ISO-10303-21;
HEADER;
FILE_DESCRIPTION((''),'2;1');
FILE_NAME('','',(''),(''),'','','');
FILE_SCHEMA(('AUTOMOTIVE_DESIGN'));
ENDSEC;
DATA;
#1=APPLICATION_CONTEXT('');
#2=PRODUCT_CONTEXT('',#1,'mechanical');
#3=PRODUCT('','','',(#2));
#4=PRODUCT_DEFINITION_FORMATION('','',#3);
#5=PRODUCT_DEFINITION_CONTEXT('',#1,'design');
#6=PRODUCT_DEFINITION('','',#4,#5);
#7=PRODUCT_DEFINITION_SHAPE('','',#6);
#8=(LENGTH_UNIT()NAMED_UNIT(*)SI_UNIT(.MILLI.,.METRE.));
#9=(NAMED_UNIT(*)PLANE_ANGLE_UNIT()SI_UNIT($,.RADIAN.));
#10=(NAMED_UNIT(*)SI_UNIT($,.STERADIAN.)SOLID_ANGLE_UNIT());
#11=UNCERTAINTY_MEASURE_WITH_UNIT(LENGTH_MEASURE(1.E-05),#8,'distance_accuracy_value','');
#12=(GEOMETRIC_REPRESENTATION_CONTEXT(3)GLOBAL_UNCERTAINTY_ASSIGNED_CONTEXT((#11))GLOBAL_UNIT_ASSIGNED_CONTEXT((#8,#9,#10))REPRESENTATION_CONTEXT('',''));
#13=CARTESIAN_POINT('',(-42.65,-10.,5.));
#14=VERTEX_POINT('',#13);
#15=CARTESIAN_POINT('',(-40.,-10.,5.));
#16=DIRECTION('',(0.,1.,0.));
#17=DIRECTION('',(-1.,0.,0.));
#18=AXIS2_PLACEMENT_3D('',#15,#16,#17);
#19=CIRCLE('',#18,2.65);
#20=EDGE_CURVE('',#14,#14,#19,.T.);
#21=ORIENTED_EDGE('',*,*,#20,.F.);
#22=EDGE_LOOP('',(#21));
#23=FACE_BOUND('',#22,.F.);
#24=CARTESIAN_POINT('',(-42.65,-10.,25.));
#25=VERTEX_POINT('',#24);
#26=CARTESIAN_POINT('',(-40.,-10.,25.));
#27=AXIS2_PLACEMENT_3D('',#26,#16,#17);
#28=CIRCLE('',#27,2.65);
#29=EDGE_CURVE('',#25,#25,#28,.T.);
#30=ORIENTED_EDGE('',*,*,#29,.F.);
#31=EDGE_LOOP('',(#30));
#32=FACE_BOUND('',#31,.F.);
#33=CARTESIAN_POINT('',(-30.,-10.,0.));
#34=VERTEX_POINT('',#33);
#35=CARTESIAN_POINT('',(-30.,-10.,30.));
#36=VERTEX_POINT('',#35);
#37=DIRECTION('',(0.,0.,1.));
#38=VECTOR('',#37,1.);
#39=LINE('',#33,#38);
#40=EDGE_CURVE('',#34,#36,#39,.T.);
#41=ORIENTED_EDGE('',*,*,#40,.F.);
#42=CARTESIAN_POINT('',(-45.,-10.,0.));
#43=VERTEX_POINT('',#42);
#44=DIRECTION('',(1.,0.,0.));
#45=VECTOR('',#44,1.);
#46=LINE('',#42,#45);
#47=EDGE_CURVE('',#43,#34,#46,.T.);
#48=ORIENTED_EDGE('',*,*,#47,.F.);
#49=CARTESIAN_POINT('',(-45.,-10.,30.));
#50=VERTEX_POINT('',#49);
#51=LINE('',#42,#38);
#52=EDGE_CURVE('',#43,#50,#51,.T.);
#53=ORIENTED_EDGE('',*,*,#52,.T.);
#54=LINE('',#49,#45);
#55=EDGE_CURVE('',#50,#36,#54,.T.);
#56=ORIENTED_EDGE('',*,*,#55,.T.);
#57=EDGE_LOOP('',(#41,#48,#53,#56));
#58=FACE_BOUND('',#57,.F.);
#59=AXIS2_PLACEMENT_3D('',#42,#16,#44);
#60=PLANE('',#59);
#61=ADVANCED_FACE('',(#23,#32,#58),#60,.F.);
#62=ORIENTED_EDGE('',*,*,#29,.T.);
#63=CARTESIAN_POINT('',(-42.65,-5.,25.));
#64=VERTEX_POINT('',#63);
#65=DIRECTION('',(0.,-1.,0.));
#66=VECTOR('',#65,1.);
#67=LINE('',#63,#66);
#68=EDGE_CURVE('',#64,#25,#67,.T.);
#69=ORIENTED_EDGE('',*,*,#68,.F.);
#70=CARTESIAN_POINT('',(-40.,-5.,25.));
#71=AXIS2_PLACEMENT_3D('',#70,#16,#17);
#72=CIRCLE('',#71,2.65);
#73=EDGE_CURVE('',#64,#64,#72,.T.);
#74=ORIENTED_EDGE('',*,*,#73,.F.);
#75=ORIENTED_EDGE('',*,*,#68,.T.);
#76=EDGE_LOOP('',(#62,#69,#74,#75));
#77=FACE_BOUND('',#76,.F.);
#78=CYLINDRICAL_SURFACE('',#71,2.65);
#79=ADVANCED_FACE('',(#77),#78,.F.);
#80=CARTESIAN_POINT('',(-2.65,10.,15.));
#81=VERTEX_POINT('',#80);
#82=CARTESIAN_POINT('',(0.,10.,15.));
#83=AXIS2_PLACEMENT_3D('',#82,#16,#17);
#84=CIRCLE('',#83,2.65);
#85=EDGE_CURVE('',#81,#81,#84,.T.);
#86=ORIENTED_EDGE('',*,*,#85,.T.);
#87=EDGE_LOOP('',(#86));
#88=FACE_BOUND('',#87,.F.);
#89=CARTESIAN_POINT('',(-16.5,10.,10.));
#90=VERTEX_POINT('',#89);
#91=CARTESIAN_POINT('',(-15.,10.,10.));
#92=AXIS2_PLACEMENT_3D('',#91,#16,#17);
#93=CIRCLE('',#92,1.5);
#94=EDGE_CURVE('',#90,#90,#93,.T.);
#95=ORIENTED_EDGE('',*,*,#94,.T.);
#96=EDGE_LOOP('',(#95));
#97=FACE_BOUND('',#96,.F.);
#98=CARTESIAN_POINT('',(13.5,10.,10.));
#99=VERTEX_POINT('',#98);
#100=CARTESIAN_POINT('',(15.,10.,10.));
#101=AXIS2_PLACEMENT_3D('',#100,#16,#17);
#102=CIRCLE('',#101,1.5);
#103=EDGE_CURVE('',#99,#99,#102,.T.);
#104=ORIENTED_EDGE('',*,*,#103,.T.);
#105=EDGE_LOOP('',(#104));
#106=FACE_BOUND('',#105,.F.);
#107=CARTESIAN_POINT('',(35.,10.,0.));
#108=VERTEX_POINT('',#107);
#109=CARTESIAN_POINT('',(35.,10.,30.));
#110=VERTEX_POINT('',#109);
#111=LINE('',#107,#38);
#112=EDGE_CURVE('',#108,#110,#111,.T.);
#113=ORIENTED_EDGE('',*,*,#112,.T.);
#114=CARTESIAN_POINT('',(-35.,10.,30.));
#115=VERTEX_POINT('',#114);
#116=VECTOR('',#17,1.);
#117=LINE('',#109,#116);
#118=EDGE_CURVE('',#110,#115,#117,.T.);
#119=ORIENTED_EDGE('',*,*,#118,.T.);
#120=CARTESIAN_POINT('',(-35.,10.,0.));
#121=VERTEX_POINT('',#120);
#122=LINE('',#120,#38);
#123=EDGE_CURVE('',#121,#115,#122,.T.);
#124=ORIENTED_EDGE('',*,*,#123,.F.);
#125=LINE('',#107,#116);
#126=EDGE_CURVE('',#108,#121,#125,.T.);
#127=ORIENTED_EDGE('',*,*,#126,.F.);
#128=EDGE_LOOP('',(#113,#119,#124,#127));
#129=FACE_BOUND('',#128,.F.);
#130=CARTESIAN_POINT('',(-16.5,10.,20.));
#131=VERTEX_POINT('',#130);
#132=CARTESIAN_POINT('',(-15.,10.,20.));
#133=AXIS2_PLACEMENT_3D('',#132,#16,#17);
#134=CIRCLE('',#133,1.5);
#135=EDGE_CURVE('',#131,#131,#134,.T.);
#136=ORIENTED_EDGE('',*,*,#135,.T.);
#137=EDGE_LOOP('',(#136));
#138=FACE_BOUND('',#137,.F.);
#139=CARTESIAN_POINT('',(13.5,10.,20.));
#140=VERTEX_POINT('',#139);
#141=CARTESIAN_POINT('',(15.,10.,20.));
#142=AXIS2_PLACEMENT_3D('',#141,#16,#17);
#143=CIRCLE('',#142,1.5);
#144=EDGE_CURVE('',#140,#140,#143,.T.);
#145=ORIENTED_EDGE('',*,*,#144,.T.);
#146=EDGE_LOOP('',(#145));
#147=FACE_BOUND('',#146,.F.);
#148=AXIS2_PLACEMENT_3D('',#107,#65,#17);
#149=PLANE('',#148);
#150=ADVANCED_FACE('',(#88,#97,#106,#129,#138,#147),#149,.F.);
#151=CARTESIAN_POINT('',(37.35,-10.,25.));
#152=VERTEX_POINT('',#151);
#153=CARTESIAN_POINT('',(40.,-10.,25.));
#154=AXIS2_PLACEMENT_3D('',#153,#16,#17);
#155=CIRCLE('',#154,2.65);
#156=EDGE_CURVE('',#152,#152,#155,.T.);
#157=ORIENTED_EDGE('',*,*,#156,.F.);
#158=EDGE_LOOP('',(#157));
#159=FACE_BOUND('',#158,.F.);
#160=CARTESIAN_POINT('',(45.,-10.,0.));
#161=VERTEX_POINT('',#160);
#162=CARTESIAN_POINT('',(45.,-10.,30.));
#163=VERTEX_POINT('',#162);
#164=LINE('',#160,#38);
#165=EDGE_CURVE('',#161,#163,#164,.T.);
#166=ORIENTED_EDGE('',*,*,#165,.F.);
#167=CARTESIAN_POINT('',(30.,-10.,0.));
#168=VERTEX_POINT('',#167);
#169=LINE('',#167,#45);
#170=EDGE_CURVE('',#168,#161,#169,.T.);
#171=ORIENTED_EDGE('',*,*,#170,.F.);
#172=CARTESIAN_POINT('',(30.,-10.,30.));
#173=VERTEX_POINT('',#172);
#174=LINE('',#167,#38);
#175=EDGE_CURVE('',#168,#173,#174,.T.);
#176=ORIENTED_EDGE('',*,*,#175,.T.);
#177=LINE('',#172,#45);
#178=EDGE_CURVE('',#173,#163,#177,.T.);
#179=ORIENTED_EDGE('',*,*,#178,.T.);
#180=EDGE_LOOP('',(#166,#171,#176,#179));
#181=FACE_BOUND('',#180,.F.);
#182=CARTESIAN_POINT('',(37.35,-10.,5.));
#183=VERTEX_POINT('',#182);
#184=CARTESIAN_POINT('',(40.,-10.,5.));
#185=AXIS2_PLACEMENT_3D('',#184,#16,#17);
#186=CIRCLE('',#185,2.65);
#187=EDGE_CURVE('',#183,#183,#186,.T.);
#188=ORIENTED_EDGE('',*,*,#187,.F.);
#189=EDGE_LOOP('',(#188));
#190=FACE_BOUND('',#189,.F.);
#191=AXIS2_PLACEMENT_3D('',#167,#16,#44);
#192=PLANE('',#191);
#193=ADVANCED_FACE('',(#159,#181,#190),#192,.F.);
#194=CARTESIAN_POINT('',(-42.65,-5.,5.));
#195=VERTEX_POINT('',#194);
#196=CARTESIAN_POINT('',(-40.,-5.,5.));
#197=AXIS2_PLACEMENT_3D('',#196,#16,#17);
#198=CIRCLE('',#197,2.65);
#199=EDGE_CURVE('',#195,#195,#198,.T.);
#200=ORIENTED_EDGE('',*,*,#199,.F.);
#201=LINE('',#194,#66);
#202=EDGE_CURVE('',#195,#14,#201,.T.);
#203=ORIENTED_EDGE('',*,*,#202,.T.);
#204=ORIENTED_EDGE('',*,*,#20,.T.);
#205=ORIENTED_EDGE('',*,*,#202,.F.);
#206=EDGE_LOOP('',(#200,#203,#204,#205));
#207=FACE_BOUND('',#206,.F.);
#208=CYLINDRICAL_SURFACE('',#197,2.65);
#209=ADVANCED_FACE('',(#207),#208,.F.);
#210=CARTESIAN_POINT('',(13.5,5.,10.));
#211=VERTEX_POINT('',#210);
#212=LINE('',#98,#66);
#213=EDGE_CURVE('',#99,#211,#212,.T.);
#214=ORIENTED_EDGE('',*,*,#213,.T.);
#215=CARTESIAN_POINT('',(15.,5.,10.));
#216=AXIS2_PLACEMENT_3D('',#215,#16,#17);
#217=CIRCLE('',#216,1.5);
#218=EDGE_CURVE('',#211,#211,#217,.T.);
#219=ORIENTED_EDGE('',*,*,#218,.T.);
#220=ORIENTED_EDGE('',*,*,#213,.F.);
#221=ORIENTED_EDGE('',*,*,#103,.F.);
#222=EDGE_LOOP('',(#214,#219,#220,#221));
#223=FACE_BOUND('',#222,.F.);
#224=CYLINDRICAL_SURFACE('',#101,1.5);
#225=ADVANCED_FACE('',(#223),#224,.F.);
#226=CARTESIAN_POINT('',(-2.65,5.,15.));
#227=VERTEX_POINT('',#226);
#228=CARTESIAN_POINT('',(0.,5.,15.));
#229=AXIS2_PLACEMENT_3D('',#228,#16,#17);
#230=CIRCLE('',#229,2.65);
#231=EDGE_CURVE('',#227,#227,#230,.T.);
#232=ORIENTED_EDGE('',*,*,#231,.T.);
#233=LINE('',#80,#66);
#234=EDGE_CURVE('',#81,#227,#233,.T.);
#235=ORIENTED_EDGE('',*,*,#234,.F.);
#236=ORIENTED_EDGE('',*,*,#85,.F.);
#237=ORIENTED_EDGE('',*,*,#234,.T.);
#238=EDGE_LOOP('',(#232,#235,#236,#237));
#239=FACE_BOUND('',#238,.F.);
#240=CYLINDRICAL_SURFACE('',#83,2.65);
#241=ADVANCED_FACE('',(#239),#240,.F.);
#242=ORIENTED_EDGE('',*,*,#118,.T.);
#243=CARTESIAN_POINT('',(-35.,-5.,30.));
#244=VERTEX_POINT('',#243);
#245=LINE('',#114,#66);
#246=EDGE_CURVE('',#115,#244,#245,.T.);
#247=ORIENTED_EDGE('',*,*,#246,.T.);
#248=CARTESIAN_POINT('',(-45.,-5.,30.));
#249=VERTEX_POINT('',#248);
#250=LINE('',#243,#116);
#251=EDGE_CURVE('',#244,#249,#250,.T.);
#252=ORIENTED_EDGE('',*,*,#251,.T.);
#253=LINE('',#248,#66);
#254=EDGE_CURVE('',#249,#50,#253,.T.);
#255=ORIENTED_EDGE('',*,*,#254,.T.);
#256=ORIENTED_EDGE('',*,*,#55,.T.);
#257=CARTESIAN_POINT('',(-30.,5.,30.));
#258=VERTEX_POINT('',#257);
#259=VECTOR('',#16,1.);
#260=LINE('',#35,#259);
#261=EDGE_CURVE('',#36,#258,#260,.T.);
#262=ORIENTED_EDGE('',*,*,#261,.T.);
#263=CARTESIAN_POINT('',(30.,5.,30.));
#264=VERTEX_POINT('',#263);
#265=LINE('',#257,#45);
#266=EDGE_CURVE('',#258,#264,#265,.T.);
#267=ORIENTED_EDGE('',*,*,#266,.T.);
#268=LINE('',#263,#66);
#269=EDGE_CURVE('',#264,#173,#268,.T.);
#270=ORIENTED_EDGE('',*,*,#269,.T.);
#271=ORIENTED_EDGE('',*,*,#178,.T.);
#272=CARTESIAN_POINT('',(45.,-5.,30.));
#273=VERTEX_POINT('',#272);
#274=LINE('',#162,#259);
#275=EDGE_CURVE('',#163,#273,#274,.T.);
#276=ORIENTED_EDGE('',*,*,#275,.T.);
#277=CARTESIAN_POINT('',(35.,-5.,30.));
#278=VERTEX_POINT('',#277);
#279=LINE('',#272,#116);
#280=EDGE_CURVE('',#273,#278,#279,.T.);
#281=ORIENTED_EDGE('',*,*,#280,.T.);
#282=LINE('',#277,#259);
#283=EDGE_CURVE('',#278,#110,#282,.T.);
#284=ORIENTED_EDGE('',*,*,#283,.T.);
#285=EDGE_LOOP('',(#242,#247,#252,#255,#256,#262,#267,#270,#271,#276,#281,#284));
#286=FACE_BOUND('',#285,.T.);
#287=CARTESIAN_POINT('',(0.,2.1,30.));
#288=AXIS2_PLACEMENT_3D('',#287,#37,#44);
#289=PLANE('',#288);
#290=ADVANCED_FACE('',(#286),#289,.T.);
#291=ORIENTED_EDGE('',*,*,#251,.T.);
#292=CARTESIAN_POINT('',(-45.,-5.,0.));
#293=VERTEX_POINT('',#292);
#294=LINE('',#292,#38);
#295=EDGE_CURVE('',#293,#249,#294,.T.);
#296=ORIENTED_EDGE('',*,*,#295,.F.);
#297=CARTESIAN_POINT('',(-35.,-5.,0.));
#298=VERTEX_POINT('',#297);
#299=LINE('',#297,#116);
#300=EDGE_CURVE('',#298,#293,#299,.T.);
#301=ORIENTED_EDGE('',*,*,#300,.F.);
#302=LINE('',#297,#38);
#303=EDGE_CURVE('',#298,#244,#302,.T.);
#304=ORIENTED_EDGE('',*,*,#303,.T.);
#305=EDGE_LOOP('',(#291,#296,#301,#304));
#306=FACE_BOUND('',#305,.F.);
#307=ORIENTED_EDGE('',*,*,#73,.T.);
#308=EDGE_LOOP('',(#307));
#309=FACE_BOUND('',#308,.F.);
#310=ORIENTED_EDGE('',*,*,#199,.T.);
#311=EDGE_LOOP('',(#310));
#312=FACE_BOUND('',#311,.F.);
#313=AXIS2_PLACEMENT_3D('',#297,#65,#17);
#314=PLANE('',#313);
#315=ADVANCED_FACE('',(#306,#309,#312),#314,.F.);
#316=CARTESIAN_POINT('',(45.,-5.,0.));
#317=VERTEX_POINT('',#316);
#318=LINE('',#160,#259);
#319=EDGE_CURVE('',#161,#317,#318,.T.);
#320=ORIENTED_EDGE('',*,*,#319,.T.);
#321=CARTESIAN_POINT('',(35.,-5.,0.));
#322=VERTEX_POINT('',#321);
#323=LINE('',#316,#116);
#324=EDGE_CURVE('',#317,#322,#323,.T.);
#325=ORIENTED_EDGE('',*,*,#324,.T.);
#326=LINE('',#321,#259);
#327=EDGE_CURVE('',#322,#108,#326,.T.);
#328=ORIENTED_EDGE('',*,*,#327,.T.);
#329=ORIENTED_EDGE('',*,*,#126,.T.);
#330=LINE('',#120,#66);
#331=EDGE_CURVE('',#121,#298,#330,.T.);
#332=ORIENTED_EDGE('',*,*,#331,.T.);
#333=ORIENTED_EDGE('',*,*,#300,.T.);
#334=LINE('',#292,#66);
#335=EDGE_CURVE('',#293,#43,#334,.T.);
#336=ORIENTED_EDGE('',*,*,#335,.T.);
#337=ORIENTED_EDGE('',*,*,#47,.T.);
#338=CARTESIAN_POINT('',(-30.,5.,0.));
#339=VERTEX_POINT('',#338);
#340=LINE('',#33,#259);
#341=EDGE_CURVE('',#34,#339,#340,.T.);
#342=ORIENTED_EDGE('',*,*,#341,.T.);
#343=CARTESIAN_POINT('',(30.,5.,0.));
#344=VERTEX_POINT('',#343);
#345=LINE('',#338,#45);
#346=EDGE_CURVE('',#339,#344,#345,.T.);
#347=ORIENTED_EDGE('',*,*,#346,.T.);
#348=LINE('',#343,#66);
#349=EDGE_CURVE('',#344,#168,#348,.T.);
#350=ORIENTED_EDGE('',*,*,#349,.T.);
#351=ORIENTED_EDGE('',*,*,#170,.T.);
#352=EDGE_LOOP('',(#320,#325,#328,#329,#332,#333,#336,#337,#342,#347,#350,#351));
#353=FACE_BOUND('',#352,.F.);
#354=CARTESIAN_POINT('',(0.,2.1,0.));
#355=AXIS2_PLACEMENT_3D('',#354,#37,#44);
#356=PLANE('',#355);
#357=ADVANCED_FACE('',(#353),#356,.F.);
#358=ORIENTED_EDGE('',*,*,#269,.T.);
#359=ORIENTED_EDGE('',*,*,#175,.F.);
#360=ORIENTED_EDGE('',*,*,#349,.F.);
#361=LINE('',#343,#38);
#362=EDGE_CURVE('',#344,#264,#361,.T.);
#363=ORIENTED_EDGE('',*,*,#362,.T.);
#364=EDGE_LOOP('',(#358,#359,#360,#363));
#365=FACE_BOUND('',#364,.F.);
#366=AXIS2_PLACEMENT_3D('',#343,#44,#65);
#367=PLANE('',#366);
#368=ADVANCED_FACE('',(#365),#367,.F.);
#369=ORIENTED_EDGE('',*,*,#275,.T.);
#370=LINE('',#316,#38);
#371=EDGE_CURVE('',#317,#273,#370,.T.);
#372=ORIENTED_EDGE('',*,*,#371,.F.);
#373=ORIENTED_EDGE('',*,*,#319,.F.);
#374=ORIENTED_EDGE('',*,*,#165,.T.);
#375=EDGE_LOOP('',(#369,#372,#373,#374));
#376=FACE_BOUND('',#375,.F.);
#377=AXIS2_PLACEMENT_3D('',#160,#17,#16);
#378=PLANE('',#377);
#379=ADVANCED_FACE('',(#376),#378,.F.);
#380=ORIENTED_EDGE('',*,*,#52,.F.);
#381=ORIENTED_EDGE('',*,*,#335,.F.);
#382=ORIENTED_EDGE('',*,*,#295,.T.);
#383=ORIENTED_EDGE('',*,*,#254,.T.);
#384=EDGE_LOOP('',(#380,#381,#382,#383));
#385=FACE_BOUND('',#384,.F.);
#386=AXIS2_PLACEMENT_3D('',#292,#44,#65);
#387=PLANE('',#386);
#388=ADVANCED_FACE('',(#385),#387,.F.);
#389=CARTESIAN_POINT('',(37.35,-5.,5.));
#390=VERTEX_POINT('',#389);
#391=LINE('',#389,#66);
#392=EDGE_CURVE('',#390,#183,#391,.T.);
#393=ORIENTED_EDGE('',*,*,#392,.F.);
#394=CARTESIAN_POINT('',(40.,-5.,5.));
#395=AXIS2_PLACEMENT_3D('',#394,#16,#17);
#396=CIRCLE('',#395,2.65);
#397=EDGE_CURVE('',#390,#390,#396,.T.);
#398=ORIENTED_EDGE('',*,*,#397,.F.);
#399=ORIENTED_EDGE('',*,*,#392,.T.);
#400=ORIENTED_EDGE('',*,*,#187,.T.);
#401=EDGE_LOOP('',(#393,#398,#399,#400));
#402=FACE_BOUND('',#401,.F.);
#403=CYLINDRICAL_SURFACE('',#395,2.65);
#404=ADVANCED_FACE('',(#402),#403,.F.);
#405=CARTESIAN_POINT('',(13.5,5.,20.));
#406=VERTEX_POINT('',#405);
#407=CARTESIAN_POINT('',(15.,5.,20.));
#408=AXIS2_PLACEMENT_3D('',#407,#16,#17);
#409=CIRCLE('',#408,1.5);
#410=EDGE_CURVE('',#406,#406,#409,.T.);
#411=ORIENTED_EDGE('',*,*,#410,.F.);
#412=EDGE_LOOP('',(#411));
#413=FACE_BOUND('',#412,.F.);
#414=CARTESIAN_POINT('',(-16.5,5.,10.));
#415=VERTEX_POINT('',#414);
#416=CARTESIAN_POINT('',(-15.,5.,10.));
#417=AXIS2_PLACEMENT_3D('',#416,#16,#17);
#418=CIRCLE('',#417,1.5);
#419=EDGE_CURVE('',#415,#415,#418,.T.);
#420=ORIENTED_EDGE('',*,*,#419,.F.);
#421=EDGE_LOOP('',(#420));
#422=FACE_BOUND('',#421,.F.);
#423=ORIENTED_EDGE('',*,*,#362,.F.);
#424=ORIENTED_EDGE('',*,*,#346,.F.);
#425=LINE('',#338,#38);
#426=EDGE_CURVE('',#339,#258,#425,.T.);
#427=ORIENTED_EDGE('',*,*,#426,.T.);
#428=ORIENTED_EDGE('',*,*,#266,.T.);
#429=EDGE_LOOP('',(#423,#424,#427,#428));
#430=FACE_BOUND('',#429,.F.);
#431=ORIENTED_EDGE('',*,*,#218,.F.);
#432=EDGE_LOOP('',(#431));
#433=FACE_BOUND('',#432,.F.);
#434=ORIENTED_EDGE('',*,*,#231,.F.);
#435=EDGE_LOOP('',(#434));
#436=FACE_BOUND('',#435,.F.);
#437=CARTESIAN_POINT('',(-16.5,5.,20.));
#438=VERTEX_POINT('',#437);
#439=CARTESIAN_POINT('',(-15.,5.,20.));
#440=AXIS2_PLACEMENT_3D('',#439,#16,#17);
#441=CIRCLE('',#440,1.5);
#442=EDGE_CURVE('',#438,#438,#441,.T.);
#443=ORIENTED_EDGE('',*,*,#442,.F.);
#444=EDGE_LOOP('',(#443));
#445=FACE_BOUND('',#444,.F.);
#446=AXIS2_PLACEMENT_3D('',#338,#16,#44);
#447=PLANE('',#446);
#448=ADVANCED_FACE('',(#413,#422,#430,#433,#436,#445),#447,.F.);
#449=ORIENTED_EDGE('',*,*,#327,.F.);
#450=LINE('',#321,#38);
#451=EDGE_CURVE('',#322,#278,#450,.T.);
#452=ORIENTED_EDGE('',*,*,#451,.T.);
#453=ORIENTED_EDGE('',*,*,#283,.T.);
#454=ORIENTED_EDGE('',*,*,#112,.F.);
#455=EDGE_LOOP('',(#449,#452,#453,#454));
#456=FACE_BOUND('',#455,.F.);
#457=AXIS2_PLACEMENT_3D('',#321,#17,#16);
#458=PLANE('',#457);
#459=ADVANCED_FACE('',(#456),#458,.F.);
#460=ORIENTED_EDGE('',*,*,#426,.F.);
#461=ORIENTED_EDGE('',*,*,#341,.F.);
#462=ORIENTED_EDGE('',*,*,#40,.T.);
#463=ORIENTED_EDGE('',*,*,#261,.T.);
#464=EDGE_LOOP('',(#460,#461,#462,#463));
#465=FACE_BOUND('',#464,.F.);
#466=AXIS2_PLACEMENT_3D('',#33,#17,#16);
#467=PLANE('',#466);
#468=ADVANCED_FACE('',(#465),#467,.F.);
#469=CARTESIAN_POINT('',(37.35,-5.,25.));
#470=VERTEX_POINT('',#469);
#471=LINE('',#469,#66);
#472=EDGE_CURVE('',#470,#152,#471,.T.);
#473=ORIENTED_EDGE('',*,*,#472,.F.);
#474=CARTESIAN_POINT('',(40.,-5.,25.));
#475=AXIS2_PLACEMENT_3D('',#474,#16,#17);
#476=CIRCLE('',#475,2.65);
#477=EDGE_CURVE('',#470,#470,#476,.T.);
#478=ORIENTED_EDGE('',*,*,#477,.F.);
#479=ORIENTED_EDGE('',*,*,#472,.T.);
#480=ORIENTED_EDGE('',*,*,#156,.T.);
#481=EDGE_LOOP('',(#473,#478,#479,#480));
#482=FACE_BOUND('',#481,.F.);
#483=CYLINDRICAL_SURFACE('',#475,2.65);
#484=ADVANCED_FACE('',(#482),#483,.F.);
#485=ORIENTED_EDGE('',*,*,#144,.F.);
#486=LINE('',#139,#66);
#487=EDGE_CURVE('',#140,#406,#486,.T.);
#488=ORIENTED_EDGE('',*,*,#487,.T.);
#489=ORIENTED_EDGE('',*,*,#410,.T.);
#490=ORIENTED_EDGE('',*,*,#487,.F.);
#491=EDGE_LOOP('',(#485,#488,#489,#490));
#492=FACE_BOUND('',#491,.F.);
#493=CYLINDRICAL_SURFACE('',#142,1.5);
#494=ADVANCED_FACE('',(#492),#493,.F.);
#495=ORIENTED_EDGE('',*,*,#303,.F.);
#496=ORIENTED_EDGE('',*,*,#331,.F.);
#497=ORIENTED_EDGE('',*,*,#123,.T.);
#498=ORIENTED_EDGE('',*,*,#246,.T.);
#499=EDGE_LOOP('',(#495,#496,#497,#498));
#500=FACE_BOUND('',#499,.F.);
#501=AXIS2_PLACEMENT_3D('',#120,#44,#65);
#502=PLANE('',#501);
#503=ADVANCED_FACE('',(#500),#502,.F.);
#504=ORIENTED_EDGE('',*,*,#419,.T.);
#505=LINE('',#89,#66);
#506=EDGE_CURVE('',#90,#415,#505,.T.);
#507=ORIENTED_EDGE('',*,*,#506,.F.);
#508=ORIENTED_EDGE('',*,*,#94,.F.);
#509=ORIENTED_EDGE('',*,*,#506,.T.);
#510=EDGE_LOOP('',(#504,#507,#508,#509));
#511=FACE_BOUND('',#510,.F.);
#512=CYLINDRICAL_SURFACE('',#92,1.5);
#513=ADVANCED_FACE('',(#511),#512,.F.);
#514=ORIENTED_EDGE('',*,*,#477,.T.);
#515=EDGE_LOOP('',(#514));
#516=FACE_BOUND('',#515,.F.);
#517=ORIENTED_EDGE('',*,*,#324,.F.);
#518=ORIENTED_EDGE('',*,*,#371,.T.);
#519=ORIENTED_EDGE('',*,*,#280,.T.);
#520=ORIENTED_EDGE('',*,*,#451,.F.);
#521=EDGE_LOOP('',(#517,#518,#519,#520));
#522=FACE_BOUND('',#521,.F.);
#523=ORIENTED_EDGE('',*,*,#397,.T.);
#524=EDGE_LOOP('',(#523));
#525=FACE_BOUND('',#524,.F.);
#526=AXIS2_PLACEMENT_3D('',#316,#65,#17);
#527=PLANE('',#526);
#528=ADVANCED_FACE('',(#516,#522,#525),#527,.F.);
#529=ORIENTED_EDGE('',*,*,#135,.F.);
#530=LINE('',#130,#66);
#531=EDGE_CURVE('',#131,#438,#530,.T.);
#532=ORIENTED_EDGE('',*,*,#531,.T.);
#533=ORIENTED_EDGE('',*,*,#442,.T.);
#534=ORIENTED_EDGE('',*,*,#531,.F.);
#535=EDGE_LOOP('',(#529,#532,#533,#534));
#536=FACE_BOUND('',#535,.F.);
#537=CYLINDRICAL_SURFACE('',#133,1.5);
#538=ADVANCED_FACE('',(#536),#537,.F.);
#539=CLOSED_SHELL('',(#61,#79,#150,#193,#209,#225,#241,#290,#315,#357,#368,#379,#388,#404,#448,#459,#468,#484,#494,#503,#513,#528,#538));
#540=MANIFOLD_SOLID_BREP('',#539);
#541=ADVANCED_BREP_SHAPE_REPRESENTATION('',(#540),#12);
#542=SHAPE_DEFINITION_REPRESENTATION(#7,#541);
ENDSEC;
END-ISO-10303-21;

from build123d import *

# Parameters (mm, degrees)
PAD_DEPTH       = 30
SKETCH001_R     = 2.65
POCKET_DEPTH    = 5
SKETCH002_R     = 2.65
SKETCH002_R_2   = 1.5
POCKET001_DEPTH = 5


with BuildPart() as part:
    # Sketch → Pad (new body)
    with BuildSketch(Plane.XY):
        Polygon((-45, -10), (-30, -10), (-30, 5), (30, 5), (30, -10), (45, -10), (45, -5), (35, -5), (35, 10), (-35, 10), (-35, -5), (-45, -5), align=None)
    extrude(amount=PAD_DEPTH)

    # Sketch001 (on Face11 of Pad) → Pocket (cut)
    with BuildSketch(Plane(origin=(0, -5, 0), x_dir=(-1, 0, 0), z_dir=(0, 1, 0))):
        with Locations((-40, 25)):
            Circle(SKETCH001_R)
        with Locations((-40, 5)):
            Circle(SKETCH001_R)
        with Locations((40, 25)):
            Circle(SKETCH001_R)
        with Locations((40, 5)):
            Circle(SKETCH001_R)
    extrude(amount=-POCKET_DEPTH, mode=Mode.SUBTRACT)

    # Sketch002 (on Face15 of Pocket) → Pocket001 (cut)
    with BuildSketch(Plane(origin=(0, 10, 0), x_dir=(-1, 0, 0), z_dir=(0, 1, 0))):
        with Locations((0, 15)):
            Circle(SKETCH002_R)
        with Locations((-15, 20)):
            Circle(SKETCH002_R_2)
        with Locations((-15, 10)):
            Circle(SKETCH002_R_2)
        with Locations((15, 20)):
            Circle(SKETCH002_R_2)
        with Locations((15, 10)):
            Circle(SKETCH002_R_2)
    extrude(amount=-POCKET001_DEPTH, mode=Mode.SUBTRACT)


solid = part.part
